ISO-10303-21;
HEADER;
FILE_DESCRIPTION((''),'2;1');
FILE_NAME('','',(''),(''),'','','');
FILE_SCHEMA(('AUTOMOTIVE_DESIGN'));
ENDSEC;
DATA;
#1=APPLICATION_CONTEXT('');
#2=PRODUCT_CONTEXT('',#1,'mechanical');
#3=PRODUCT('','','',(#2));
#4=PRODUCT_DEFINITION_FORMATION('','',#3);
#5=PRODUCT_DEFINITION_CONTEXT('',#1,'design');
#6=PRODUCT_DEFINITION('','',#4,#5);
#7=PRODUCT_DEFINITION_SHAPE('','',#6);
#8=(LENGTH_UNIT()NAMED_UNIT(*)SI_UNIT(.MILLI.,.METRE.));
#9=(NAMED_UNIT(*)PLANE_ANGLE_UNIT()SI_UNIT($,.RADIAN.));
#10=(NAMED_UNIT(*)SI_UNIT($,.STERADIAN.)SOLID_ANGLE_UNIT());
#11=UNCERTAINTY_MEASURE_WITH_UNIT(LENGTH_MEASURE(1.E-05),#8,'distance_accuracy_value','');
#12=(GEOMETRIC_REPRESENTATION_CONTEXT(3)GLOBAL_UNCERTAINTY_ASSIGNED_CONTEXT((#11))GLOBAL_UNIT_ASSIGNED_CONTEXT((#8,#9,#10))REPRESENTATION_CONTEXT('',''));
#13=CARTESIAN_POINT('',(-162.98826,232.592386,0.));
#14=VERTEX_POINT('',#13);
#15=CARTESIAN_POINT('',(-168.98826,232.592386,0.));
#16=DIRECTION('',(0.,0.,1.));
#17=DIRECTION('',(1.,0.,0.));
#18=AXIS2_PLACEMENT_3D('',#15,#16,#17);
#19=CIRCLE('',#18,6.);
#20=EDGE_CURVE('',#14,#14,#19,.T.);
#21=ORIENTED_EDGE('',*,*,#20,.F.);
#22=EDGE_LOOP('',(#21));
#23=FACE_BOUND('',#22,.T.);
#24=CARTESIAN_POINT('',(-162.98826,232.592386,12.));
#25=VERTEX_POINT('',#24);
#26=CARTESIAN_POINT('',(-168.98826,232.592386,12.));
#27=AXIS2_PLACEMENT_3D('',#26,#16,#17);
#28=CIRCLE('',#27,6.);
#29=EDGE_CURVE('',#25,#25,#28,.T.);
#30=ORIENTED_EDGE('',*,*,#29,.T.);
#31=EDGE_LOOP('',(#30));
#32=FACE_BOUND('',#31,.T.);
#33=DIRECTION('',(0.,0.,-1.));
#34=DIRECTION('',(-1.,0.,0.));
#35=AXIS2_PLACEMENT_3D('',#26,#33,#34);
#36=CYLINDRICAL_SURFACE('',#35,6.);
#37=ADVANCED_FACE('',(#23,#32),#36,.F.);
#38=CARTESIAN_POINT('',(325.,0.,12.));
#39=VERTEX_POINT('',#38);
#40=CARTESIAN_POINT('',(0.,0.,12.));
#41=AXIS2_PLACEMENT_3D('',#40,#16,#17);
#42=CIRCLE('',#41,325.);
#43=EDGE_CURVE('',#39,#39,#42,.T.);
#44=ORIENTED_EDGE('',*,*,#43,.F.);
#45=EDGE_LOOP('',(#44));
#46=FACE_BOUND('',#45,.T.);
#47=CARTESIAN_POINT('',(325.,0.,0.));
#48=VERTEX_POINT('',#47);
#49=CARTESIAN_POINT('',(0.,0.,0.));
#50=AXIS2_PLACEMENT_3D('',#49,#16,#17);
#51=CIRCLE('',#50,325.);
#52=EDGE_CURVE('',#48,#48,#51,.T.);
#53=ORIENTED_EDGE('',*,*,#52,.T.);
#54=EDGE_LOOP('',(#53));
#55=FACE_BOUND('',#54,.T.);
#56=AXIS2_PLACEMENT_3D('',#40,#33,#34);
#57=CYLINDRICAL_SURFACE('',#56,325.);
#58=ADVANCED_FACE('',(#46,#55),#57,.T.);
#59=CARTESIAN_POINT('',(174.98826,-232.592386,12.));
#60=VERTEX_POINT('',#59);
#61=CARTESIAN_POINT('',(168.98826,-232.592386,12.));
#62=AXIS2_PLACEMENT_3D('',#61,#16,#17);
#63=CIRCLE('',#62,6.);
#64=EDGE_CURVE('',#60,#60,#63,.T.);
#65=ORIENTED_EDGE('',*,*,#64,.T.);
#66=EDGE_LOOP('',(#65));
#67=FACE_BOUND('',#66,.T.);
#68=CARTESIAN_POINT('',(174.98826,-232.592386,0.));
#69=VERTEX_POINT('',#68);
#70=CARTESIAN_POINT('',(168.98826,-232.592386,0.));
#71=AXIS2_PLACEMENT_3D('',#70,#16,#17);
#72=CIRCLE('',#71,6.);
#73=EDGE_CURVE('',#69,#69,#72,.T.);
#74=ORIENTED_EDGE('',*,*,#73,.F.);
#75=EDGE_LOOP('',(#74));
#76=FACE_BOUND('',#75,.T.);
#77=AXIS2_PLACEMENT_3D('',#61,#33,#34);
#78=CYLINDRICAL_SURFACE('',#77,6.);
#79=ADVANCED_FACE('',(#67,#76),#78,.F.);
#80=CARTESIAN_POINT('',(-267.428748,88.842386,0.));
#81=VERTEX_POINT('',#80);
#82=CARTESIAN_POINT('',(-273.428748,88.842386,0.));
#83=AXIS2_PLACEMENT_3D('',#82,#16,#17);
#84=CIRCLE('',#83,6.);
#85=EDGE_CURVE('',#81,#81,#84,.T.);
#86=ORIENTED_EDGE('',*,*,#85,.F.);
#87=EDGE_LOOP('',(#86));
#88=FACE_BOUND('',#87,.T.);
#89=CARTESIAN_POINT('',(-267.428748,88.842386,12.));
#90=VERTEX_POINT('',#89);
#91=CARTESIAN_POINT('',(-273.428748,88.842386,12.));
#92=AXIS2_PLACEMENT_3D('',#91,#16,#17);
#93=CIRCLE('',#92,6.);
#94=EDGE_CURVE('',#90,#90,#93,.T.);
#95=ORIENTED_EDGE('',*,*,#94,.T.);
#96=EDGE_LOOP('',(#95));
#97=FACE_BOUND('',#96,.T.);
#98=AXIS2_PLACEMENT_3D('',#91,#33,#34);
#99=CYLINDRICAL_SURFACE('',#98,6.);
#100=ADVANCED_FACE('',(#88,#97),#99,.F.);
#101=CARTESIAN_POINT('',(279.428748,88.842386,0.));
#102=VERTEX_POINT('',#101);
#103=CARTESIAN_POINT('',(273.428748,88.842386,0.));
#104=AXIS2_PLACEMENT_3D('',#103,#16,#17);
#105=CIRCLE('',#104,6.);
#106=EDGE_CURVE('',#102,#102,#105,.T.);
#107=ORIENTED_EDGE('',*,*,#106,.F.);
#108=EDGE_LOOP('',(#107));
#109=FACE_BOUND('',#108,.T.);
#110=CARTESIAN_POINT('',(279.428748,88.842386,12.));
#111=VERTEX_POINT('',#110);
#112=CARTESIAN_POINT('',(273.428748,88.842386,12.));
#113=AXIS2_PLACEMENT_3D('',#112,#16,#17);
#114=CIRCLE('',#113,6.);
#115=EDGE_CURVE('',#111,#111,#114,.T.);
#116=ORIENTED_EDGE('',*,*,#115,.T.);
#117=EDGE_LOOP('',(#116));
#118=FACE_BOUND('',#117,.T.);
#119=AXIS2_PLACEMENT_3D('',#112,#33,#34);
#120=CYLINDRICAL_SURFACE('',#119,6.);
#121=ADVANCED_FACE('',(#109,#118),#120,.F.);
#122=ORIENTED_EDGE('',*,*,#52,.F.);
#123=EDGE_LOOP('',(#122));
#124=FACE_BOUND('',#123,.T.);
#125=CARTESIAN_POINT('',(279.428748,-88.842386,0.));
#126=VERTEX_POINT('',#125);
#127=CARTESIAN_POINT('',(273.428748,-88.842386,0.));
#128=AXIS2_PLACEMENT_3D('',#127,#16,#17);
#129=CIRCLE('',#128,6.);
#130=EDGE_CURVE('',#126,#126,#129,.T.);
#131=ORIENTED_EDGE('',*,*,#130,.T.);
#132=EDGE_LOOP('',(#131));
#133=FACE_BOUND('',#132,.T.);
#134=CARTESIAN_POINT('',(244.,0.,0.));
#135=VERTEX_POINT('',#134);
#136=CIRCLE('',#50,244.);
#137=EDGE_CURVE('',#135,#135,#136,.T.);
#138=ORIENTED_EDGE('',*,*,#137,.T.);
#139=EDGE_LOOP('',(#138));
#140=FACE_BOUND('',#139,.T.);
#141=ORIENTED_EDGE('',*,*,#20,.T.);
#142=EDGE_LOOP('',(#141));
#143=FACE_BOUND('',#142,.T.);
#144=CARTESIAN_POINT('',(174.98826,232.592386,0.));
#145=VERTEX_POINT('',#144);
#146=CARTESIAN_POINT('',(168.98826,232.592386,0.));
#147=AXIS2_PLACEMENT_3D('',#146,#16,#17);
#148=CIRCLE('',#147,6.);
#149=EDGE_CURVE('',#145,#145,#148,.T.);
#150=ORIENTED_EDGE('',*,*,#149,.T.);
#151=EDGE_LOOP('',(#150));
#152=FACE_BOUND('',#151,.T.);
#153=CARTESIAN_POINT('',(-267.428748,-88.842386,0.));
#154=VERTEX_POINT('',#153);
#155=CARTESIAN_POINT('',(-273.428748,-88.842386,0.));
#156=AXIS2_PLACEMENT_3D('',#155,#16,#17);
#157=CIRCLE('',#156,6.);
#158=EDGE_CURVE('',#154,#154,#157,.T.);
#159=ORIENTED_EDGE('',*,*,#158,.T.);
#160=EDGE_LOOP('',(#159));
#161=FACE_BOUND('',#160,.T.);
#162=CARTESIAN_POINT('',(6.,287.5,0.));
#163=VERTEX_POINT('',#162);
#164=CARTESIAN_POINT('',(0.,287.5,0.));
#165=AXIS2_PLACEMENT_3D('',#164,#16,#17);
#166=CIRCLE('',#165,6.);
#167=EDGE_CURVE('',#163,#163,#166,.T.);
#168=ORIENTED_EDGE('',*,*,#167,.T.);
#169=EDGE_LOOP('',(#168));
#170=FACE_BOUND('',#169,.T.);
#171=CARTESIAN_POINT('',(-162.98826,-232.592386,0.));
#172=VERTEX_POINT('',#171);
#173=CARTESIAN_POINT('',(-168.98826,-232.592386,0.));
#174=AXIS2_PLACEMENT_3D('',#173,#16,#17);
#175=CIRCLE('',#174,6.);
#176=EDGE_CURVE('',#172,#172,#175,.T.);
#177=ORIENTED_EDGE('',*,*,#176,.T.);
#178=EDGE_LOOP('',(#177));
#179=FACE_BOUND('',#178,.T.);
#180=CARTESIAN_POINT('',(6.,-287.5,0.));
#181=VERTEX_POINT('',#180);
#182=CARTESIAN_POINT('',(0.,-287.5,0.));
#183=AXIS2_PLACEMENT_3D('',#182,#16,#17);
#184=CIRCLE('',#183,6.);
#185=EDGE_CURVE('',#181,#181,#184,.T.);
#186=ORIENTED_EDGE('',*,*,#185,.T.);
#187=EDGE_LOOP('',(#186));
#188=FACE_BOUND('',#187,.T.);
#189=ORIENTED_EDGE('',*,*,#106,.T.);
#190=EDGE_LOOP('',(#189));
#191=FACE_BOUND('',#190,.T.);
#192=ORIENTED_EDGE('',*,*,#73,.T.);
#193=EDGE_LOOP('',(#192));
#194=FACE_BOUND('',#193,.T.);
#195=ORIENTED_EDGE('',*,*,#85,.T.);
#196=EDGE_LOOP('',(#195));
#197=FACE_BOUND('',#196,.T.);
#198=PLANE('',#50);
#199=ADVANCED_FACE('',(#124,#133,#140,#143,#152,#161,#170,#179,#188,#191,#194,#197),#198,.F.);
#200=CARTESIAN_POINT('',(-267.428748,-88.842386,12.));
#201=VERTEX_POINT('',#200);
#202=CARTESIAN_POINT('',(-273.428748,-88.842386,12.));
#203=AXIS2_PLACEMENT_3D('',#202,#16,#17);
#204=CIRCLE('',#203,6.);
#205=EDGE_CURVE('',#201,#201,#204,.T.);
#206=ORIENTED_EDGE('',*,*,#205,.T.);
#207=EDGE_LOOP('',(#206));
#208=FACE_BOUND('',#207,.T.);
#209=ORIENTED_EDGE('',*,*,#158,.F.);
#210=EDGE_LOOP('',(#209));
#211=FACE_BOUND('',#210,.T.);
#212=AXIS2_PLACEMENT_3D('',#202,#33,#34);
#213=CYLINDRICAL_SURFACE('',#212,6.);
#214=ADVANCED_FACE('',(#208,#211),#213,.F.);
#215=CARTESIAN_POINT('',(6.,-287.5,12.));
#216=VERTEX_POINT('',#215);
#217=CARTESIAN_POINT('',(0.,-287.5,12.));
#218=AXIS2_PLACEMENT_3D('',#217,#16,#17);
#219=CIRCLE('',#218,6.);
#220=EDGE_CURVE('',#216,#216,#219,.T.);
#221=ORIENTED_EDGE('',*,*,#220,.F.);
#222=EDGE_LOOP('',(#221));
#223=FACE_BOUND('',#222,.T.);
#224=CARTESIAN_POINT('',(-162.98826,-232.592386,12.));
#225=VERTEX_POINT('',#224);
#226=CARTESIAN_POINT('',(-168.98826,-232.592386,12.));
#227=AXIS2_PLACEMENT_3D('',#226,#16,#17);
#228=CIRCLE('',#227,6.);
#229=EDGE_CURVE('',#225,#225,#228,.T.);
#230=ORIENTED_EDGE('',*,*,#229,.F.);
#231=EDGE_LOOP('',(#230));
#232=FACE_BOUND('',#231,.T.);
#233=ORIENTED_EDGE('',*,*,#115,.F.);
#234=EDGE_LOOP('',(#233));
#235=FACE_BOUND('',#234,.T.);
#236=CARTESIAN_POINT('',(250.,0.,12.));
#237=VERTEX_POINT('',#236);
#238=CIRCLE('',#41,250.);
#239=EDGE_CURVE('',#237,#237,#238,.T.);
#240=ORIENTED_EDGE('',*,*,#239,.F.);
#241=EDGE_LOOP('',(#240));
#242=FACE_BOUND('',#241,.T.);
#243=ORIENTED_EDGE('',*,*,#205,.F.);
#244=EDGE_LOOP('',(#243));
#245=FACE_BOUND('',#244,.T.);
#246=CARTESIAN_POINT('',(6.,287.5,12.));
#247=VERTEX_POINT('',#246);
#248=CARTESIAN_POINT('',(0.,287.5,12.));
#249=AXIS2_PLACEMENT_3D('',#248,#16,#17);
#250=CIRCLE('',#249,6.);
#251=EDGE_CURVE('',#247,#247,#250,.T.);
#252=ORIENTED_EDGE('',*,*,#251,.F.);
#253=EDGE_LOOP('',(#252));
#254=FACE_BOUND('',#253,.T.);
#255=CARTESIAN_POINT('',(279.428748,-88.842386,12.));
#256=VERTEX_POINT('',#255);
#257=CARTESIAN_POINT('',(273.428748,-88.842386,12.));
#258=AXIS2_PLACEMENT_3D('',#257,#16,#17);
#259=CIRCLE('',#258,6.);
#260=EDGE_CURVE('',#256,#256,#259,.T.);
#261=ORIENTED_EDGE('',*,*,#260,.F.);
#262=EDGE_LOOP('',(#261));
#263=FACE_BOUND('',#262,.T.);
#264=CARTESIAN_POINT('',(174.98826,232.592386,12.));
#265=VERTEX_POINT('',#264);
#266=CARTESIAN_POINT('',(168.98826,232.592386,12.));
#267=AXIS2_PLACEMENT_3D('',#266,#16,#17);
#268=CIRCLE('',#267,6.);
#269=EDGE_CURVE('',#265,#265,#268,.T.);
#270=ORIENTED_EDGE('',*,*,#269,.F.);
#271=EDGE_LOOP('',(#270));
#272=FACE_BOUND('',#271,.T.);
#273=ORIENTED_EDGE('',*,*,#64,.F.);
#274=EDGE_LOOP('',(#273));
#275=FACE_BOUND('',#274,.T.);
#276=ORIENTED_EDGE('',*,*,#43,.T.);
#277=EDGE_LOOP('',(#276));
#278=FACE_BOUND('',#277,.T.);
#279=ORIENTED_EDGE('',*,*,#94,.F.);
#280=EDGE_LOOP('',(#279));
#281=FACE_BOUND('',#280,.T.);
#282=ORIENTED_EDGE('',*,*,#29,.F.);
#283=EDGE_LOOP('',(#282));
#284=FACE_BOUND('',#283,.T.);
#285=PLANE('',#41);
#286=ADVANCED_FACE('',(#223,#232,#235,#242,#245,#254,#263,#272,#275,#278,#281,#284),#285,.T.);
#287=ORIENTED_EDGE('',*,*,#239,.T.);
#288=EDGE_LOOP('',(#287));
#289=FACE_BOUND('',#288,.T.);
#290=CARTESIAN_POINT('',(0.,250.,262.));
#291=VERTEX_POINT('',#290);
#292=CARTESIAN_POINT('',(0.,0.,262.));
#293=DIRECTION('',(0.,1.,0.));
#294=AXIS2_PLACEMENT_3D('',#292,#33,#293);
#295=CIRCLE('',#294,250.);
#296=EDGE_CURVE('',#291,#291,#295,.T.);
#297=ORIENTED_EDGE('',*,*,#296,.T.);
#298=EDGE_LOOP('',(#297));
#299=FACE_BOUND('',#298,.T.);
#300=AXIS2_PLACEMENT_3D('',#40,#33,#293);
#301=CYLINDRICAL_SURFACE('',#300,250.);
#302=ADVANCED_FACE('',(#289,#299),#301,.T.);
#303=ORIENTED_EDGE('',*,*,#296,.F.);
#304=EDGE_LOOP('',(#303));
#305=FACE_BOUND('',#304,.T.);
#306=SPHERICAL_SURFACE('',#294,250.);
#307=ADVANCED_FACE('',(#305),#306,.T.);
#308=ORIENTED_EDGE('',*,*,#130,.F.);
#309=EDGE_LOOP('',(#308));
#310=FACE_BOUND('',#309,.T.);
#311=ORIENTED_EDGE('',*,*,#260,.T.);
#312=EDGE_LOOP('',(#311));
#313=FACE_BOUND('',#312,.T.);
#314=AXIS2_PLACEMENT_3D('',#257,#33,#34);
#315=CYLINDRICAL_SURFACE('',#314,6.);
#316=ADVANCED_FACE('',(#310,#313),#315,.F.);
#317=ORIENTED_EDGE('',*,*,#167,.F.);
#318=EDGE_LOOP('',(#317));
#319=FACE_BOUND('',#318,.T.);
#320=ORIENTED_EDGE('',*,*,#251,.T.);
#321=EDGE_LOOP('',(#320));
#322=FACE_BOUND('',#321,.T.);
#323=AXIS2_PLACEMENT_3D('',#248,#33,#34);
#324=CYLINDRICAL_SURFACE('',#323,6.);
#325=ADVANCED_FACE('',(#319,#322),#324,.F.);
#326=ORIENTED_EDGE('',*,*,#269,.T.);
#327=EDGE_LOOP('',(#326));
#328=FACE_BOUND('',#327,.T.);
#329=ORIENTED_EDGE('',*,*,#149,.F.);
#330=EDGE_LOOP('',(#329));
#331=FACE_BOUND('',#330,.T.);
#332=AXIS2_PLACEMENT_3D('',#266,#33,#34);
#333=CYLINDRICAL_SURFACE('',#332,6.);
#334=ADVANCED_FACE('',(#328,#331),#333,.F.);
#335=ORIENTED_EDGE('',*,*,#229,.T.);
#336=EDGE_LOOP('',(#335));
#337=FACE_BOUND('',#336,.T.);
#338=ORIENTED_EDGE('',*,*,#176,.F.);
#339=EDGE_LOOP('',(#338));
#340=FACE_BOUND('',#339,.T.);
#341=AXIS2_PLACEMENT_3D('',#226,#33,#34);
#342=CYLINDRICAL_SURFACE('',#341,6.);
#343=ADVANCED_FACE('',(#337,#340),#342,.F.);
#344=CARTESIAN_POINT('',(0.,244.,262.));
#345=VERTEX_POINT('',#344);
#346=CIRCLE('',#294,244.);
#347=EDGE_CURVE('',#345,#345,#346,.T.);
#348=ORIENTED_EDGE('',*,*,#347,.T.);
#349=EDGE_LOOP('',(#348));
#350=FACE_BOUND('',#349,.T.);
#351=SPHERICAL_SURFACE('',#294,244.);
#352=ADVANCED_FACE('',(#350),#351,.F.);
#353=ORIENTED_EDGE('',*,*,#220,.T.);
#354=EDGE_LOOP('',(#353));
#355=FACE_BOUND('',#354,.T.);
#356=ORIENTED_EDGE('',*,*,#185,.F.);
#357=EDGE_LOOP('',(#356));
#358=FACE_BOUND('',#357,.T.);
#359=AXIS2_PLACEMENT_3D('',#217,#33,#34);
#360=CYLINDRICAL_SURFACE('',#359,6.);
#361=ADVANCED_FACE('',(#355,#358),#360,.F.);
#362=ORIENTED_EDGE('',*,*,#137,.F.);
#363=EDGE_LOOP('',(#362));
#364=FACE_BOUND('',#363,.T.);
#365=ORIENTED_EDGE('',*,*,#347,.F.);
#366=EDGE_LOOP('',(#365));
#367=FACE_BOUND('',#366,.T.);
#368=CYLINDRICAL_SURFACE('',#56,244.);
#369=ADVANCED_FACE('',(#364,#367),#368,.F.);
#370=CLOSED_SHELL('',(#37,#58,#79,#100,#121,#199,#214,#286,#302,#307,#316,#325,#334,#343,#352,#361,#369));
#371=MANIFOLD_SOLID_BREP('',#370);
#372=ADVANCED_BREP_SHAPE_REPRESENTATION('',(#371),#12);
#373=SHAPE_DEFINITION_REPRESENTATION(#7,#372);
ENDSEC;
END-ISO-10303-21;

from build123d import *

# Parameters (mm, degrees)
SKETCH1_R           = 325
SKETCH1_R_2         = 6
SKETCH1_R_3         = 244
BOSS_EXTRUDE1_DEPTH = 12


with BuildPart() as part:
    # Sketch1 → Boss-Extrude1 (new body)
    with BuildSketch(Plane.XY):
        Circle(SKETCH1_R)
        with Locations((0, 287.5)):
            Circle(SKETCH1_R_2, mode=Mode.SUBTRACT)
        with Locations((168.988260034, 232.592385883)):
            Circle(SKETCH1_R_2, mode=Mode.SUBTRACT)
        with Locations((273.428748435, 88.842385883)):
            Circle(SKETCH1_R_2, mode=Mode.SUBTRACT)
        with Locations((273.428748435, -88.842385883)):
            Circle(SKETCH1_R_2, mode=Mode.SUBTRACT)
        with Locations((168.988260034, -232.592385883)):
            Circle(SKETCH1_R_2, mode=Mode.SUBTRACT)
        with Locations((0, -287.5)):
            Circle(SKETCH1_R_2, mode=Mode.SUBTRACT)
        with Locations((-168.988260034, -232.592385883)):
            Circle(SKETCH1_R_2, mode=Mode.SUBTRACT)
        with Locations((-273.428748435, -88.842385883)):
            Circle(SKETCH1_R_2, mode=Mode.SUBTRACT)
        with Locations((-273.428748435, 88.842385883)):
            Circle(SKETCH1_R_2, mode=Mode.SUBTRACT)
        with Locations((-168.988260034, 232.592385883)):
            Circle(SKETCH1_R_2, mode=Mode.SUBTRACT)
        Circle(SKETCH1_R_3, mode=Mode.SUBTRACT)
    extrude(amount=BOSS_EXTRUDE1_DEPTH)

    # Sketch4 → Revolve2 (revolve)
    with BuildSketch(Plane(origin=(0, 0, 0), x_dir=(0, 0, -1), z_dir=(1, 0, 0))):
        with BuildLine():
            Line((-12, 250), (-262, 250))
            ThreePointArc((-262, 250), (-438.776695297, 176.776695297), (-512, 0))
            Line((-512, 0), (-506, 0))
            ThreePointArc((-506, 0), (-434.53405461, 172.53405461), (-262, 244))
            Line((-262, 244), (-12, 244))
            Line((-12, 244), (-12, 250))
        make_face()
    revolve(axis=Axis((0, 0, 12), (0, 0, 1)))


solid = part.part
